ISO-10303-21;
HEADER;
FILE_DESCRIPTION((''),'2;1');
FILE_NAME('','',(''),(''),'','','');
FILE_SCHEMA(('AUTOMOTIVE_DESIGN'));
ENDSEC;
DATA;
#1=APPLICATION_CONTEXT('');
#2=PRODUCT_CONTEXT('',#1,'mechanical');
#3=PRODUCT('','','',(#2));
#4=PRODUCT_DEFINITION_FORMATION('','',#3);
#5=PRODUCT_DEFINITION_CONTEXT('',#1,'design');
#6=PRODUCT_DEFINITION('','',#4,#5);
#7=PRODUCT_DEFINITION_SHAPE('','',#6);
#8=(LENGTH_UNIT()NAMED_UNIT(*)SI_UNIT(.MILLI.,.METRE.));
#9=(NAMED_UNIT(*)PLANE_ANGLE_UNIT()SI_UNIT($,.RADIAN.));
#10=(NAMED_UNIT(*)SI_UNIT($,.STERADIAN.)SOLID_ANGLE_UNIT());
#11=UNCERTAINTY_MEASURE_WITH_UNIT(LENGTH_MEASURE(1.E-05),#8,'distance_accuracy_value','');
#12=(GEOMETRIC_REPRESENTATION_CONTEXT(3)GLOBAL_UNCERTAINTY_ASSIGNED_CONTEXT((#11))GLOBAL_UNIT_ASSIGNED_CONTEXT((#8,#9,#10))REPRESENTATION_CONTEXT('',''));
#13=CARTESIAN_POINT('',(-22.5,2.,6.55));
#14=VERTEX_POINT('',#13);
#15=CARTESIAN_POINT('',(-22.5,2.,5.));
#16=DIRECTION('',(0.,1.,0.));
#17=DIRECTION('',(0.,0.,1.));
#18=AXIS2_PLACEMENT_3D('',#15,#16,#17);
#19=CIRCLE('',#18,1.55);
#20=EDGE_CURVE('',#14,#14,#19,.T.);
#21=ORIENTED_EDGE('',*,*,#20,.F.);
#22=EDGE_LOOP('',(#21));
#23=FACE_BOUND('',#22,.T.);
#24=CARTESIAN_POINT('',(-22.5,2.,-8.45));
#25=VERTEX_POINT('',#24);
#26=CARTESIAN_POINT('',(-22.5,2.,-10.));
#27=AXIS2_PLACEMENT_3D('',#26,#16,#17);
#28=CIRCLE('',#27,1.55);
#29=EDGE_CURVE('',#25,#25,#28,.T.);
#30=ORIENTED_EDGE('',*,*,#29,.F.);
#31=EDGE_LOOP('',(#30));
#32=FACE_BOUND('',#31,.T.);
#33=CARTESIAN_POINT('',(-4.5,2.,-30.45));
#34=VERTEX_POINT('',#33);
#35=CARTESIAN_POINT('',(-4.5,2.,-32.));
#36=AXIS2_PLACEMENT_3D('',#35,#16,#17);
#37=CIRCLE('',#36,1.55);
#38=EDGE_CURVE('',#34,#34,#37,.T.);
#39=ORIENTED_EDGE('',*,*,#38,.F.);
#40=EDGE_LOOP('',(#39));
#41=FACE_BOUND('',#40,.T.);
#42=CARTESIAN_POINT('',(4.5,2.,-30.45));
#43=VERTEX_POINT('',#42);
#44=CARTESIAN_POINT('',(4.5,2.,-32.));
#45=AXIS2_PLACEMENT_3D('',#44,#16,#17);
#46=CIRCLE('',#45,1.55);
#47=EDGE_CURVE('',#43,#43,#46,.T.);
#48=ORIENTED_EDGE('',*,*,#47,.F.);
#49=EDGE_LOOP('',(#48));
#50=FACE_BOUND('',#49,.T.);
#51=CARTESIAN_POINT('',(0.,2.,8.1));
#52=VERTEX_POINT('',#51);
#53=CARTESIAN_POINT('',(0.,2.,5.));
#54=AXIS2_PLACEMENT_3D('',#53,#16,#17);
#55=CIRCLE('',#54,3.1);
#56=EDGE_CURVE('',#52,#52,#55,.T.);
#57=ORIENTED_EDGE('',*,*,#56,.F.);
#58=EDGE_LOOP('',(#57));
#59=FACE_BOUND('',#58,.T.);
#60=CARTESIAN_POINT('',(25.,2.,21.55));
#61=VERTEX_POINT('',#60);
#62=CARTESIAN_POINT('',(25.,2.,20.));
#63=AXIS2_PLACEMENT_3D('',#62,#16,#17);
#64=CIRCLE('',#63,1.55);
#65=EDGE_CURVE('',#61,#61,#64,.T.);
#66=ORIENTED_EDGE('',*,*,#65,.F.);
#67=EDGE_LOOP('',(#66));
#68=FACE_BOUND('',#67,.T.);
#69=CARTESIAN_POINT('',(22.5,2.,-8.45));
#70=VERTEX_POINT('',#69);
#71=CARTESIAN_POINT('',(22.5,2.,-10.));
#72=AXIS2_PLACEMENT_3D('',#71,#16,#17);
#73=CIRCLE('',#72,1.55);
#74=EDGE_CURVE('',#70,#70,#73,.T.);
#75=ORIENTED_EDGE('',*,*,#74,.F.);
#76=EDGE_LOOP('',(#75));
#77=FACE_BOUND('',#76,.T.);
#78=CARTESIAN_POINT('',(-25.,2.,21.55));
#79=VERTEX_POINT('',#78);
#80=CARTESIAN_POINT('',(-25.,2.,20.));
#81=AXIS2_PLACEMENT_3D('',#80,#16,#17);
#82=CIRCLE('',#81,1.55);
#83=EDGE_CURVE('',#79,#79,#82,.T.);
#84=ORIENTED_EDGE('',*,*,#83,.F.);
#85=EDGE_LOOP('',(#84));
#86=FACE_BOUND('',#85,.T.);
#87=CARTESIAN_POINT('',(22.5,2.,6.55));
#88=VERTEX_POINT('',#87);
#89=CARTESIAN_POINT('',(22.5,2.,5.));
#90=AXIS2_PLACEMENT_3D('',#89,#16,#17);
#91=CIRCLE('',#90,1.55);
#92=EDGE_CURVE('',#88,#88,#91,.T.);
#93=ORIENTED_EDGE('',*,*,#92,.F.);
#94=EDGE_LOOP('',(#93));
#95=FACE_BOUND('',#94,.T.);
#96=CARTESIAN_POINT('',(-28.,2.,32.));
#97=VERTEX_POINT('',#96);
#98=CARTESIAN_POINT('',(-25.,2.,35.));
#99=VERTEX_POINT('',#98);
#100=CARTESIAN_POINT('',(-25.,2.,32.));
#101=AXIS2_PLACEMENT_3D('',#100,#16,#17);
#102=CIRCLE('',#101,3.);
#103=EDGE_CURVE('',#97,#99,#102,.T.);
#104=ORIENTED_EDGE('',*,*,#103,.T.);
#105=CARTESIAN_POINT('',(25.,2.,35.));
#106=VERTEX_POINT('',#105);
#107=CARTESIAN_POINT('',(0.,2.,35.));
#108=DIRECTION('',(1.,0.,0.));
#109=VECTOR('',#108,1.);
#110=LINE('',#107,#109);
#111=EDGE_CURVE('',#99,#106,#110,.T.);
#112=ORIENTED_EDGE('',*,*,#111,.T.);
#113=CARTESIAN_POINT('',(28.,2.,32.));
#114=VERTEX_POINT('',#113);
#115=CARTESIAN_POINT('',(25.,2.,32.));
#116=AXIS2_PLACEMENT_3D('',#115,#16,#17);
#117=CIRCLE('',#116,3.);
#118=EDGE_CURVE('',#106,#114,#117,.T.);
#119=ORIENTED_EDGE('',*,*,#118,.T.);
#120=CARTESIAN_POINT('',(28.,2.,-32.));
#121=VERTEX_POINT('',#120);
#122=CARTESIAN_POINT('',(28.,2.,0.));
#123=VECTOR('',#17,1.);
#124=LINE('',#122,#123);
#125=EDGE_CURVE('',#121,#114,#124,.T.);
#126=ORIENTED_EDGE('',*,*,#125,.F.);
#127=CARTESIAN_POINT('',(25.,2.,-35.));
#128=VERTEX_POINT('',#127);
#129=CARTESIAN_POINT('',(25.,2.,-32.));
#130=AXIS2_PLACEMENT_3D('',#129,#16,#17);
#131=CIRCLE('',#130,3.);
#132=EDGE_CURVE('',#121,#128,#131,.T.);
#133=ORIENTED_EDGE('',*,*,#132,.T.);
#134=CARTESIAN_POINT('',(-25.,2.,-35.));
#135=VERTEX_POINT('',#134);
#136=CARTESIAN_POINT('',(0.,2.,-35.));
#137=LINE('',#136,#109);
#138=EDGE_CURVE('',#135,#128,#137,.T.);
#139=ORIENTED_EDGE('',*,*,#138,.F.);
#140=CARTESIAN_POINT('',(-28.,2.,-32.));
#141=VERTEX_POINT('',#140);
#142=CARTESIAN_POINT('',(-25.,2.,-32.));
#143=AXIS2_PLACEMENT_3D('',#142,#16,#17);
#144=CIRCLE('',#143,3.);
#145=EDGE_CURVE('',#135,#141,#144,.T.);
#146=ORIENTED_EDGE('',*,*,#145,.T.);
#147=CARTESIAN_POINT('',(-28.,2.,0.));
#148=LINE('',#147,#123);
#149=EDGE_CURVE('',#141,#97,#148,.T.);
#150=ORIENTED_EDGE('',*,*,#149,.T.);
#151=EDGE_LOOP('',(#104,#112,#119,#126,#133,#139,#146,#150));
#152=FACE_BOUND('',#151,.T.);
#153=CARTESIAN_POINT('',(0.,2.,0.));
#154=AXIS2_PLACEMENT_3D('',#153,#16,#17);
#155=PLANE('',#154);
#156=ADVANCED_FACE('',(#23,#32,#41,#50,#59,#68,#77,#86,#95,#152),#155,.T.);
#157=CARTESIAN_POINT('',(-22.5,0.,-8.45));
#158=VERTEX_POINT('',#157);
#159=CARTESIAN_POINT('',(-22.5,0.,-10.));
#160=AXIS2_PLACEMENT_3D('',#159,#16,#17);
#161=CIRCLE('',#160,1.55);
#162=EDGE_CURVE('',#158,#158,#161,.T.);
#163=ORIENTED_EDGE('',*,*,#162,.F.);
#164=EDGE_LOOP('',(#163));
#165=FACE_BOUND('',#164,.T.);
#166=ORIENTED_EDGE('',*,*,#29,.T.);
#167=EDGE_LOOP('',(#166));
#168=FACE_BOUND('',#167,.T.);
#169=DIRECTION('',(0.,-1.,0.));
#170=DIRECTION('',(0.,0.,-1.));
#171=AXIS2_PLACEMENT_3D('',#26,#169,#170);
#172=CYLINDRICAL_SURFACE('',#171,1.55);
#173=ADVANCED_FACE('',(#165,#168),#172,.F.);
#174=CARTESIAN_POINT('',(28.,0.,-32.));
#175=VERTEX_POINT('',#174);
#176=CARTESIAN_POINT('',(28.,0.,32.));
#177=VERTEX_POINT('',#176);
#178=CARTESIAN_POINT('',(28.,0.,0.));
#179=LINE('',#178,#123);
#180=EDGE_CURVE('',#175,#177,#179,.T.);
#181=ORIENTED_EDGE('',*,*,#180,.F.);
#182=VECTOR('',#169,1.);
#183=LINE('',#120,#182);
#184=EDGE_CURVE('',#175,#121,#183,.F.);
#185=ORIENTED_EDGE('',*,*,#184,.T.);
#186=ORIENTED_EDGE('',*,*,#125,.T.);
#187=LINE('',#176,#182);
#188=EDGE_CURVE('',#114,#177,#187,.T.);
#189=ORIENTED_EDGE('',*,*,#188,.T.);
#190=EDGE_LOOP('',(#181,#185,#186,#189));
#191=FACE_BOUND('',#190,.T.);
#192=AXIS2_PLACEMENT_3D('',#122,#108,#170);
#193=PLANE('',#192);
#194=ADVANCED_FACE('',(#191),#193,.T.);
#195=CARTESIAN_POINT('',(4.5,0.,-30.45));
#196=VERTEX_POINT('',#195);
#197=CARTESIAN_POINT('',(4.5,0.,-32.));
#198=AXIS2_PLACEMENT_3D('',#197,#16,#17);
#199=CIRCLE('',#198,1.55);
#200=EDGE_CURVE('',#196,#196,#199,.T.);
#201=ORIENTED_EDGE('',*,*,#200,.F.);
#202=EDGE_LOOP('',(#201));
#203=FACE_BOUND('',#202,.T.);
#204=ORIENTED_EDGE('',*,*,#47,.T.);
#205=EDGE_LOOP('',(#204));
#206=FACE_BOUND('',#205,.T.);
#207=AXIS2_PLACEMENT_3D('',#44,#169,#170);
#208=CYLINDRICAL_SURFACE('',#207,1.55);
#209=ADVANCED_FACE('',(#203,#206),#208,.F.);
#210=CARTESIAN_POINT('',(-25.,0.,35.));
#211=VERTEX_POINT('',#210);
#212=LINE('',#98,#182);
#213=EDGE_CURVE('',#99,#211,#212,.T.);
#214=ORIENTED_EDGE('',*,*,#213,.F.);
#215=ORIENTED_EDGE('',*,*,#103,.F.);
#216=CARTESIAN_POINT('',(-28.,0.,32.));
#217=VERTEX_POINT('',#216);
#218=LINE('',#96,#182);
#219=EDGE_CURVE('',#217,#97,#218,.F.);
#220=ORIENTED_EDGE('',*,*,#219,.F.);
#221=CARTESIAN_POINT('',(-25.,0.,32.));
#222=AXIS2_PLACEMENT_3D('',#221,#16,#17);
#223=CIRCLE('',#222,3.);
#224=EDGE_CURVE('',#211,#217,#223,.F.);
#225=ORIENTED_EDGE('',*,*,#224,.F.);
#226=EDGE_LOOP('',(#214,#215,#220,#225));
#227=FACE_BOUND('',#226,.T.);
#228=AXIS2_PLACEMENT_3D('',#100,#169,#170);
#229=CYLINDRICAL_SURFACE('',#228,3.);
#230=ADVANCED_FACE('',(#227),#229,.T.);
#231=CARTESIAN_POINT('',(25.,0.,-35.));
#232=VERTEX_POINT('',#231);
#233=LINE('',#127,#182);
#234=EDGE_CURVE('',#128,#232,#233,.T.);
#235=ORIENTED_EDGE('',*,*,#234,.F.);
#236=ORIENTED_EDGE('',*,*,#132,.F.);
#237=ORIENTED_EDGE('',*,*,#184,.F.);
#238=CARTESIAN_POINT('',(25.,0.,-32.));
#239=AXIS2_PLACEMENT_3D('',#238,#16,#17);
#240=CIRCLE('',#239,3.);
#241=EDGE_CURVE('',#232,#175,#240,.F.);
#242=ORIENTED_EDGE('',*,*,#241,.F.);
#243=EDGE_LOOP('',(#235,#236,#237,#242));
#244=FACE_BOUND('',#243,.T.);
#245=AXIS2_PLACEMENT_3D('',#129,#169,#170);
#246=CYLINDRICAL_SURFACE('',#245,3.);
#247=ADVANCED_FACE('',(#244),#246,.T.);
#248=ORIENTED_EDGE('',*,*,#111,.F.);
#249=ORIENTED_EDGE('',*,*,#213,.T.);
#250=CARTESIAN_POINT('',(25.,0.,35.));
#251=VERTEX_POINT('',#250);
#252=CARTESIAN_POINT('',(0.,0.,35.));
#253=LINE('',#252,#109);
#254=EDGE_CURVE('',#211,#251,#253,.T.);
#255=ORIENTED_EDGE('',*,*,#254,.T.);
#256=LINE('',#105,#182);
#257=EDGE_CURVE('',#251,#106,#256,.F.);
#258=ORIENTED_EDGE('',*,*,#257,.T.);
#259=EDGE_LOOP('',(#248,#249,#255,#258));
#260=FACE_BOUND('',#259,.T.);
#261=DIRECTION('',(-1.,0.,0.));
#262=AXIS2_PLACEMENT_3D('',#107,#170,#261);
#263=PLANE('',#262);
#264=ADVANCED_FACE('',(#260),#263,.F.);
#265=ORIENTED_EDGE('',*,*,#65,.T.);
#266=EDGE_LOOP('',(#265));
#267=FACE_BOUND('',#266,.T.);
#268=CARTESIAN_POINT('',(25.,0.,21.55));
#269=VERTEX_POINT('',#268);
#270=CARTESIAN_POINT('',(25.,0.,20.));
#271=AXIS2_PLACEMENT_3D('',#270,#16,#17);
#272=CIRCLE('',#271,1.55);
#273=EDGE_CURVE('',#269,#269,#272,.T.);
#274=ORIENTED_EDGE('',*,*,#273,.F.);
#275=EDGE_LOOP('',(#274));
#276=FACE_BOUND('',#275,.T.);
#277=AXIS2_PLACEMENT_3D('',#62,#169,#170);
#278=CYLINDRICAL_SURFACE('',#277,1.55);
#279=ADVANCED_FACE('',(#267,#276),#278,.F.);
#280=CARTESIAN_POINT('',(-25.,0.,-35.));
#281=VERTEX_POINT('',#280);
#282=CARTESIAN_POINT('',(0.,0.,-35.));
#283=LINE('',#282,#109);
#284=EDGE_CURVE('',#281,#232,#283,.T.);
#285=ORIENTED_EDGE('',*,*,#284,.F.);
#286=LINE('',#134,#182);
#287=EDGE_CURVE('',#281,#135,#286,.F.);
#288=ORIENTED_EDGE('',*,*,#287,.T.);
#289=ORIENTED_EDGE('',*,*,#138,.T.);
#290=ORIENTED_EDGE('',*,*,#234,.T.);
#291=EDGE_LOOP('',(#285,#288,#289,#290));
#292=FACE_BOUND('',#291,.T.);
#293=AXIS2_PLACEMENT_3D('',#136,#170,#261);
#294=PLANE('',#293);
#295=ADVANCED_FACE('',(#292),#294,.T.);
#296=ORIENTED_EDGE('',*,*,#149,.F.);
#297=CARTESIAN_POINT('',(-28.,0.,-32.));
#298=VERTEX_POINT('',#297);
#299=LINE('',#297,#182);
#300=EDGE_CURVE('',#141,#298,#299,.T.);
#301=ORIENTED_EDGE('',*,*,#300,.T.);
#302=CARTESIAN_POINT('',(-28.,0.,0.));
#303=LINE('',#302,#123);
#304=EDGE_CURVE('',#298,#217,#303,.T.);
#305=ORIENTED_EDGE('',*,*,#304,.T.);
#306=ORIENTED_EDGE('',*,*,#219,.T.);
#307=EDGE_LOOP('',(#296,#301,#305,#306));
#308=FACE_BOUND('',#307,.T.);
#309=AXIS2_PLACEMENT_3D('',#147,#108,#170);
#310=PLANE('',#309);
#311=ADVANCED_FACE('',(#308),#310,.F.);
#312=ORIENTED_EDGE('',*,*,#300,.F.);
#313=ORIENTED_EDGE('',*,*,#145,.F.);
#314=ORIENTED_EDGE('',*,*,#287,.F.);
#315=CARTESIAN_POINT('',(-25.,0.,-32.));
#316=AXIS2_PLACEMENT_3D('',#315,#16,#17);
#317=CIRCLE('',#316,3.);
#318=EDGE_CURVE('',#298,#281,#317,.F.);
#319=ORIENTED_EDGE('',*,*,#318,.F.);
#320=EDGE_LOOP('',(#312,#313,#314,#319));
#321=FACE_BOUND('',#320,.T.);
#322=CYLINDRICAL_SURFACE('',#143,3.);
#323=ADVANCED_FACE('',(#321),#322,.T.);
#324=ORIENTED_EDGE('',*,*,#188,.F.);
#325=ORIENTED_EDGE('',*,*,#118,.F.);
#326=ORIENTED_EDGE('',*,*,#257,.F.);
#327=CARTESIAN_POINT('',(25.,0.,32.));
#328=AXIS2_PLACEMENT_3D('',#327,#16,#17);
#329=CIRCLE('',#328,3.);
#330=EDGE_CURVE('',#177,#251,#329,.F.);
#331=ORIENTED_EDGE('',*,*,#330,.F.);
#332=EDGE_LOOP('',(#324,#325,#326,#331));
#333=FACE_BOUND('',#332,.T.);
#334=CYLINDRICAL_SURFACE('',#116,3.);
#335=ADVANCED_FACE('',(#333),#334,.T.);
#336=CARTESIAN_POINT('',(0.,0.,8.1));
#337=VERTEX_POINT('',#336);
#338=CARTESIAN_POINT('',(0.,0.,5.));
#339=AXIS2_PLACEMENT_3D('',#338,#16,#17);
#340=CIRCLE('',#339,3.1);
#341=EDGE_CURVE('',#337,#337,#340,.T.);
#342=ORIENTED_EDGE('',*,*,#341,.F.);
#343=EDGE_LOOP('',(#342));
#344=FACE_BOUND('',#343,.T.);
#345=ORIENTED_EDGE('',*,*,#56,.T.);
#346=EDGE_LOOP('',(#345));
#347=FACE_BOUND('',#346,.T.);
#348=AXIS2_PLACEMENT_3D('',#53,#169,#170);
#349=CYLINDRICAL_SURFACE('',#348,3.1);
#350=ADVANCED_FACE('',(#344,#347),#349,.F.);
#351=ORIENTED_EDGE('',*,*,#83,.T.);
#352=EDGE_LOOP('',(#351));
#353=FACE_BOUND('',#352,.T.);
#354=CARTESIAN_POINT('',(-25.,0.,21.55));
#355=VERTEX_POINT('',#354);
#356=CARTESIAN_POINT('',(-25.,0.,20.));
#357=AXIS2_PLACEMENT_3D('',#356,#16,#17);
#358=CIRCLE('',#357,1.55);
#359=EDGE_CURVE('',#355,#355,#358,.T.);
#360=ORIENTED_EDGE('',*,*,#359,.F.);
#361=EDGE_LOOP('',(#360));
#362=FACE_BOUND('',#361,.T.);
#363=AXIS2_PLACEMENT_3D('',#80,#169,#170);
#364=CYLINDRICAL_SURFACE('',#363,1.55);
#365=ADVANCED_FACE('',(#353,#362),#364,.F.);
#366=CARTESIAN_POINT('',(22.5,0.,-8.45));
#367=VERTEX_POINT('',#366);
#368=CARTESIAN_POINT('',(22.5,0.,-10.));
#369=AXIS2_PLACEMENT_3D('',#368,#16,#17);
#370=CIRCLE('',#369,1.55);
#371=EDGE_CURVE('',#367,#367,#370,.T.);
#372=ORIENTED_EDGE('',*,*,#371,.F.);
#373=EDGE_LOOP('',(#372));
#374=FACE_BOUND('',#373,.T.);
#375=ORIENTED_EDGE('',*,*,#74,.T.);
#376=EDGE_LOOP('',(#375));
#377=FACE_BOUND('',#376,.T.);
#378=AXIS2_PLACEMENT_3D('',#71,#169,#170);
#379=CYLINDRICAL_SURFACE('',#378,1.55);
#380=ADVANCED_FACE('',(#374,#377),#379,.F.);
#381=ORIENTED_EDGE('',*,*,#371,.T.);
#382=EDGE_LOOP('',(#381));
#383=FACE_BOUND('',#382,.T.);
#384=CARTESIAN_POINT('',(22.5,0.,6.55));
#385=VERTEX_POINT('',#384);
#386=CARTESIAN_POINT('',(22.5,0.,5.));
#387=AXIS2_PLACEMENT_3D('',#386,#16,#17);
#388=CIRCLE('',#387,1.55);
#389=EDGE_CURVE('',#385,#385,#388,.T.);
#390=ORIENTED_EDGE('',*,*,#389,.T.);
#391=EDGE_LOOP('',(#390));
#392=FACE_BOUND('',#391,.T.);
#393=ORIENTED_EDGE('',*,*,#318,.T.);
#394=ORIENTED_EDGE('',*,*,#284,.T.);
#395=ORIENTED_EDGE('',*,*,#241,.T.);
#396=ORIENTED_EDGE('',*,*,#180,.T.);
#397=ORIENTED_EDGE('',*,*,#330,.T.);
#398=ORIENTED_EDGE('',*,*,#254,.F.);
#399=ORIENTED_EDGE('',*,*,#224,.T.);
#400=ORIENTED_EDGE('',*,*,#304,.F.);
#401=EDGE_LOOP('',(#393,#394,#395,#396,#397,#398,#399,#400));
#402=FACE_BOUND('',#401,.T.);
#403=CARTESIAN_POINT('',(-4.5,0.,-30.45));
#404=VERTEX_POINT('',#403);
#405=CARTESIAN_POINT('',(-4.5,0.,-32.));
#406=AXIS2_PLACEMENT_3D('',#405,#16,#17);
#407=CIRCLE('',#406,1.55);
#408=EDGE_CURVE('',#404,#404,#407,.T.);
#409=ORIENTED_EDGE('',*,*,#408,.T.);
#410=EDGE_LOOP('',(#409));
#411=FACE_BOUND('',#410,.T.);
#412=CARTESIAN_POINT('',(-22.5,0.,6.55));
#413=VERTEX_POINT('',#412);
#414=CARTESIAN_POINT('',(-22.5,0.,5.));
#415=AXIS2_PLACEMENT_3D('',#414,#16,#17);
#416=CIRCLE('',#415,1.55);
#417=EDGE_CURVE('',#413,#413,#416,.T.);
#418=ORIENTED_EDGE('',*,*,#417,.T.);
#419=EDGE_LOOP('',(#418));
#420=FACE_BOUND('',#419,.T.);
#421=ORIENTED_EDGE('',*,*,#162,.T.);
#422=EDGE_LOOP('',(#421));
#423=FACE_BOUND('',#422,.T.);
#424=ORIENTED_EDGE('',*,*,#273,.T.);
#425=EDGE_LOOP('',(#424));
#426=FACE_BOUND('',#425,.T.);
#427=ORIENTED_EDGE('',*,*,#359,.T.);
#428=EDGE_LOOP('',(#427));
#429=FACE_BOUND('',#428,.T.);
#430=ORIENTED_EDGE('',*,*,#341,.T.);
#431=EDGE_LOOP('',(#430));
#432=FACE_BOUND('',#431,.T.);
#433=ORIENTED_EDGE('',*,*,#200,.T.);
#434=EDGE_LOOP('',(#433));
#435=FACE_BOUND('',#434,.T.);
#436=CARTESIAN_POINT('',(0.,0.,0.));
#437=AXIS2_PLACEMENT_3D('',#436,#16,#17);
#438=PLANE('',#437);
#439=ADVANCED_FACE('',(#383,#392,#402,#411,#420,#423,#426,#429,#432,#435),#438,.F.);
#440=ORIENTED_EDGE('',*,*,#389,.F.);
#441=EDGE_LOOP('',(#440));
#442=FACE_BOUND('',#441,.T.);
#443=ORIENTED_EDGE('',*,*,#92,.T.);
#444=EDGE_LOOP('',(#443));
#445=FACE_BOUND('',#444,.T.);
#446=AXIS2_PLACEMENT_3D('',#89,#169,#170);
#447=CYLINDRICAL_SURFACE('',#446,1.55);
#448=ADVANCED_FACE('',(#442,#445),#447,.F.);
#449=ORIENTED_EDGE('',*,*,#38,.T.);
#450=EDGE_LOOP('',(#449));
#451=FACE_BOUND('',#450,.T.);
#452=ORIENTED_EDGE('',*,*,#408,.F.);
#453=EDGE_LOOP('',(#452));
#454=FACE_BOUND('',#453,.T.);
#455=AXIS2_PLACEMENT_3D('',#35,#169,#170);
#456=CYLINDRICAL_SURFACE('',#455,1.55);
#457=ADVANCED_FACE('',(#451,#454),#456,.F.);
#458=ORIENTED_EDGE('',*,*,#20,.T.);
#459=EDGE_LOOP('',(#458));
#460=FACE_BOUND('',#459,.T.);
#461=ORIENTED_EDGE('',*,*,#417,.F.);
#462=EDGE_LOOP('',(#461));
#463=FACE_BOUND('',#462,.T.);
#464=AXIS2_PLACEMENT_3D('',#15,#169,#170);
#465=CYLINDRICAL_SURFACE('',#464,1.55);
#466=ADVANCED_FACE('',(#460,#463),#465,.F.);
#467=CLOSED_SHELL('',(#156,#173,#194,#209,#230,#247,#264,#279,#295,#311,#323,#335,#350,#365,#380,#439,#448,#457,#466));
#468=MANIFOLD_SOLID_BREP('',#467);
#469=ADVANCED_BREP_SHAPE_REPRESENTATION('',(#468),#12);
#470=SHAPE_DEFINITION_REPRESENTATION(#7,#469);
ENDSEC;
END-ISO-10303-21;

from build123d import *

# Parameters (mm, degrees)
SKETCH1_W           = 56
SKETCH1_H           = 70
SKETCH1_R           = 1.55
SKETCH1_R_2         = 3.1
BOSS_EXTRUDE1_DEPTH = 2
FILLET1_R           = 3


with BuildPart() as part:
    # Sketch1 → Boss-Extrude1 (new body)
    with BuildSketch(Plane(origin=(0, 0, 0), x_dir=(1, 0, 0), z_dir=(0, 1, 0))):
        Rectangle(SKETCH1_W, SKETCH1_H)
        with Locations((-22.5, -5)):
            Circle(SKETCH1_R, mode=Mode.SUBTRACT)
        with Locations((22.5, -5)):
            Circle(SKETCH1_R, mode=Mode.SUBTRACT)
        with Locations((-4.5, 32)):
            Circle(SKETCH1_R, mode=Mode.SUBTRACT)
        with Locations((4.5, 32)):
            Circle(SKETCH1_R, mode=Mode.SUBTRACT)
        with Locations((-22.5, 10)):
            Circle(SKETCH1_R, mode=Mode.SUBTRACT)
        with Locations((22.5, 10)):
            Circle(SKETCH1_R, mode=Mode.SUBTRACT)
        with Locations((-25, -20)):
            Circle(SKETCH1_R, mode=Mode.SUBTRACT)
        with Locations((25, -20)):
            Circle(SKETCH1_R, mode=Mode.SUBTRACT)
        with Locations((0, -5)):
            Circle(SKETCH1_R_2, mode=Mode.SUBTRACT)
    extrude(amount=BOSS_EXTRUDE1_DEPTH)

    # Fillet1
    fillet1_edges = [part.edges().sort_by_distance(p)[0] for p in [
        (28, 1, 35),
        (-28, 1, 35),
        (-28, 1, -35),
        (28, 1, -35),
    ]]
    fillet(fillet1_edges, radius=FILLET1_R)


solid = part.part
